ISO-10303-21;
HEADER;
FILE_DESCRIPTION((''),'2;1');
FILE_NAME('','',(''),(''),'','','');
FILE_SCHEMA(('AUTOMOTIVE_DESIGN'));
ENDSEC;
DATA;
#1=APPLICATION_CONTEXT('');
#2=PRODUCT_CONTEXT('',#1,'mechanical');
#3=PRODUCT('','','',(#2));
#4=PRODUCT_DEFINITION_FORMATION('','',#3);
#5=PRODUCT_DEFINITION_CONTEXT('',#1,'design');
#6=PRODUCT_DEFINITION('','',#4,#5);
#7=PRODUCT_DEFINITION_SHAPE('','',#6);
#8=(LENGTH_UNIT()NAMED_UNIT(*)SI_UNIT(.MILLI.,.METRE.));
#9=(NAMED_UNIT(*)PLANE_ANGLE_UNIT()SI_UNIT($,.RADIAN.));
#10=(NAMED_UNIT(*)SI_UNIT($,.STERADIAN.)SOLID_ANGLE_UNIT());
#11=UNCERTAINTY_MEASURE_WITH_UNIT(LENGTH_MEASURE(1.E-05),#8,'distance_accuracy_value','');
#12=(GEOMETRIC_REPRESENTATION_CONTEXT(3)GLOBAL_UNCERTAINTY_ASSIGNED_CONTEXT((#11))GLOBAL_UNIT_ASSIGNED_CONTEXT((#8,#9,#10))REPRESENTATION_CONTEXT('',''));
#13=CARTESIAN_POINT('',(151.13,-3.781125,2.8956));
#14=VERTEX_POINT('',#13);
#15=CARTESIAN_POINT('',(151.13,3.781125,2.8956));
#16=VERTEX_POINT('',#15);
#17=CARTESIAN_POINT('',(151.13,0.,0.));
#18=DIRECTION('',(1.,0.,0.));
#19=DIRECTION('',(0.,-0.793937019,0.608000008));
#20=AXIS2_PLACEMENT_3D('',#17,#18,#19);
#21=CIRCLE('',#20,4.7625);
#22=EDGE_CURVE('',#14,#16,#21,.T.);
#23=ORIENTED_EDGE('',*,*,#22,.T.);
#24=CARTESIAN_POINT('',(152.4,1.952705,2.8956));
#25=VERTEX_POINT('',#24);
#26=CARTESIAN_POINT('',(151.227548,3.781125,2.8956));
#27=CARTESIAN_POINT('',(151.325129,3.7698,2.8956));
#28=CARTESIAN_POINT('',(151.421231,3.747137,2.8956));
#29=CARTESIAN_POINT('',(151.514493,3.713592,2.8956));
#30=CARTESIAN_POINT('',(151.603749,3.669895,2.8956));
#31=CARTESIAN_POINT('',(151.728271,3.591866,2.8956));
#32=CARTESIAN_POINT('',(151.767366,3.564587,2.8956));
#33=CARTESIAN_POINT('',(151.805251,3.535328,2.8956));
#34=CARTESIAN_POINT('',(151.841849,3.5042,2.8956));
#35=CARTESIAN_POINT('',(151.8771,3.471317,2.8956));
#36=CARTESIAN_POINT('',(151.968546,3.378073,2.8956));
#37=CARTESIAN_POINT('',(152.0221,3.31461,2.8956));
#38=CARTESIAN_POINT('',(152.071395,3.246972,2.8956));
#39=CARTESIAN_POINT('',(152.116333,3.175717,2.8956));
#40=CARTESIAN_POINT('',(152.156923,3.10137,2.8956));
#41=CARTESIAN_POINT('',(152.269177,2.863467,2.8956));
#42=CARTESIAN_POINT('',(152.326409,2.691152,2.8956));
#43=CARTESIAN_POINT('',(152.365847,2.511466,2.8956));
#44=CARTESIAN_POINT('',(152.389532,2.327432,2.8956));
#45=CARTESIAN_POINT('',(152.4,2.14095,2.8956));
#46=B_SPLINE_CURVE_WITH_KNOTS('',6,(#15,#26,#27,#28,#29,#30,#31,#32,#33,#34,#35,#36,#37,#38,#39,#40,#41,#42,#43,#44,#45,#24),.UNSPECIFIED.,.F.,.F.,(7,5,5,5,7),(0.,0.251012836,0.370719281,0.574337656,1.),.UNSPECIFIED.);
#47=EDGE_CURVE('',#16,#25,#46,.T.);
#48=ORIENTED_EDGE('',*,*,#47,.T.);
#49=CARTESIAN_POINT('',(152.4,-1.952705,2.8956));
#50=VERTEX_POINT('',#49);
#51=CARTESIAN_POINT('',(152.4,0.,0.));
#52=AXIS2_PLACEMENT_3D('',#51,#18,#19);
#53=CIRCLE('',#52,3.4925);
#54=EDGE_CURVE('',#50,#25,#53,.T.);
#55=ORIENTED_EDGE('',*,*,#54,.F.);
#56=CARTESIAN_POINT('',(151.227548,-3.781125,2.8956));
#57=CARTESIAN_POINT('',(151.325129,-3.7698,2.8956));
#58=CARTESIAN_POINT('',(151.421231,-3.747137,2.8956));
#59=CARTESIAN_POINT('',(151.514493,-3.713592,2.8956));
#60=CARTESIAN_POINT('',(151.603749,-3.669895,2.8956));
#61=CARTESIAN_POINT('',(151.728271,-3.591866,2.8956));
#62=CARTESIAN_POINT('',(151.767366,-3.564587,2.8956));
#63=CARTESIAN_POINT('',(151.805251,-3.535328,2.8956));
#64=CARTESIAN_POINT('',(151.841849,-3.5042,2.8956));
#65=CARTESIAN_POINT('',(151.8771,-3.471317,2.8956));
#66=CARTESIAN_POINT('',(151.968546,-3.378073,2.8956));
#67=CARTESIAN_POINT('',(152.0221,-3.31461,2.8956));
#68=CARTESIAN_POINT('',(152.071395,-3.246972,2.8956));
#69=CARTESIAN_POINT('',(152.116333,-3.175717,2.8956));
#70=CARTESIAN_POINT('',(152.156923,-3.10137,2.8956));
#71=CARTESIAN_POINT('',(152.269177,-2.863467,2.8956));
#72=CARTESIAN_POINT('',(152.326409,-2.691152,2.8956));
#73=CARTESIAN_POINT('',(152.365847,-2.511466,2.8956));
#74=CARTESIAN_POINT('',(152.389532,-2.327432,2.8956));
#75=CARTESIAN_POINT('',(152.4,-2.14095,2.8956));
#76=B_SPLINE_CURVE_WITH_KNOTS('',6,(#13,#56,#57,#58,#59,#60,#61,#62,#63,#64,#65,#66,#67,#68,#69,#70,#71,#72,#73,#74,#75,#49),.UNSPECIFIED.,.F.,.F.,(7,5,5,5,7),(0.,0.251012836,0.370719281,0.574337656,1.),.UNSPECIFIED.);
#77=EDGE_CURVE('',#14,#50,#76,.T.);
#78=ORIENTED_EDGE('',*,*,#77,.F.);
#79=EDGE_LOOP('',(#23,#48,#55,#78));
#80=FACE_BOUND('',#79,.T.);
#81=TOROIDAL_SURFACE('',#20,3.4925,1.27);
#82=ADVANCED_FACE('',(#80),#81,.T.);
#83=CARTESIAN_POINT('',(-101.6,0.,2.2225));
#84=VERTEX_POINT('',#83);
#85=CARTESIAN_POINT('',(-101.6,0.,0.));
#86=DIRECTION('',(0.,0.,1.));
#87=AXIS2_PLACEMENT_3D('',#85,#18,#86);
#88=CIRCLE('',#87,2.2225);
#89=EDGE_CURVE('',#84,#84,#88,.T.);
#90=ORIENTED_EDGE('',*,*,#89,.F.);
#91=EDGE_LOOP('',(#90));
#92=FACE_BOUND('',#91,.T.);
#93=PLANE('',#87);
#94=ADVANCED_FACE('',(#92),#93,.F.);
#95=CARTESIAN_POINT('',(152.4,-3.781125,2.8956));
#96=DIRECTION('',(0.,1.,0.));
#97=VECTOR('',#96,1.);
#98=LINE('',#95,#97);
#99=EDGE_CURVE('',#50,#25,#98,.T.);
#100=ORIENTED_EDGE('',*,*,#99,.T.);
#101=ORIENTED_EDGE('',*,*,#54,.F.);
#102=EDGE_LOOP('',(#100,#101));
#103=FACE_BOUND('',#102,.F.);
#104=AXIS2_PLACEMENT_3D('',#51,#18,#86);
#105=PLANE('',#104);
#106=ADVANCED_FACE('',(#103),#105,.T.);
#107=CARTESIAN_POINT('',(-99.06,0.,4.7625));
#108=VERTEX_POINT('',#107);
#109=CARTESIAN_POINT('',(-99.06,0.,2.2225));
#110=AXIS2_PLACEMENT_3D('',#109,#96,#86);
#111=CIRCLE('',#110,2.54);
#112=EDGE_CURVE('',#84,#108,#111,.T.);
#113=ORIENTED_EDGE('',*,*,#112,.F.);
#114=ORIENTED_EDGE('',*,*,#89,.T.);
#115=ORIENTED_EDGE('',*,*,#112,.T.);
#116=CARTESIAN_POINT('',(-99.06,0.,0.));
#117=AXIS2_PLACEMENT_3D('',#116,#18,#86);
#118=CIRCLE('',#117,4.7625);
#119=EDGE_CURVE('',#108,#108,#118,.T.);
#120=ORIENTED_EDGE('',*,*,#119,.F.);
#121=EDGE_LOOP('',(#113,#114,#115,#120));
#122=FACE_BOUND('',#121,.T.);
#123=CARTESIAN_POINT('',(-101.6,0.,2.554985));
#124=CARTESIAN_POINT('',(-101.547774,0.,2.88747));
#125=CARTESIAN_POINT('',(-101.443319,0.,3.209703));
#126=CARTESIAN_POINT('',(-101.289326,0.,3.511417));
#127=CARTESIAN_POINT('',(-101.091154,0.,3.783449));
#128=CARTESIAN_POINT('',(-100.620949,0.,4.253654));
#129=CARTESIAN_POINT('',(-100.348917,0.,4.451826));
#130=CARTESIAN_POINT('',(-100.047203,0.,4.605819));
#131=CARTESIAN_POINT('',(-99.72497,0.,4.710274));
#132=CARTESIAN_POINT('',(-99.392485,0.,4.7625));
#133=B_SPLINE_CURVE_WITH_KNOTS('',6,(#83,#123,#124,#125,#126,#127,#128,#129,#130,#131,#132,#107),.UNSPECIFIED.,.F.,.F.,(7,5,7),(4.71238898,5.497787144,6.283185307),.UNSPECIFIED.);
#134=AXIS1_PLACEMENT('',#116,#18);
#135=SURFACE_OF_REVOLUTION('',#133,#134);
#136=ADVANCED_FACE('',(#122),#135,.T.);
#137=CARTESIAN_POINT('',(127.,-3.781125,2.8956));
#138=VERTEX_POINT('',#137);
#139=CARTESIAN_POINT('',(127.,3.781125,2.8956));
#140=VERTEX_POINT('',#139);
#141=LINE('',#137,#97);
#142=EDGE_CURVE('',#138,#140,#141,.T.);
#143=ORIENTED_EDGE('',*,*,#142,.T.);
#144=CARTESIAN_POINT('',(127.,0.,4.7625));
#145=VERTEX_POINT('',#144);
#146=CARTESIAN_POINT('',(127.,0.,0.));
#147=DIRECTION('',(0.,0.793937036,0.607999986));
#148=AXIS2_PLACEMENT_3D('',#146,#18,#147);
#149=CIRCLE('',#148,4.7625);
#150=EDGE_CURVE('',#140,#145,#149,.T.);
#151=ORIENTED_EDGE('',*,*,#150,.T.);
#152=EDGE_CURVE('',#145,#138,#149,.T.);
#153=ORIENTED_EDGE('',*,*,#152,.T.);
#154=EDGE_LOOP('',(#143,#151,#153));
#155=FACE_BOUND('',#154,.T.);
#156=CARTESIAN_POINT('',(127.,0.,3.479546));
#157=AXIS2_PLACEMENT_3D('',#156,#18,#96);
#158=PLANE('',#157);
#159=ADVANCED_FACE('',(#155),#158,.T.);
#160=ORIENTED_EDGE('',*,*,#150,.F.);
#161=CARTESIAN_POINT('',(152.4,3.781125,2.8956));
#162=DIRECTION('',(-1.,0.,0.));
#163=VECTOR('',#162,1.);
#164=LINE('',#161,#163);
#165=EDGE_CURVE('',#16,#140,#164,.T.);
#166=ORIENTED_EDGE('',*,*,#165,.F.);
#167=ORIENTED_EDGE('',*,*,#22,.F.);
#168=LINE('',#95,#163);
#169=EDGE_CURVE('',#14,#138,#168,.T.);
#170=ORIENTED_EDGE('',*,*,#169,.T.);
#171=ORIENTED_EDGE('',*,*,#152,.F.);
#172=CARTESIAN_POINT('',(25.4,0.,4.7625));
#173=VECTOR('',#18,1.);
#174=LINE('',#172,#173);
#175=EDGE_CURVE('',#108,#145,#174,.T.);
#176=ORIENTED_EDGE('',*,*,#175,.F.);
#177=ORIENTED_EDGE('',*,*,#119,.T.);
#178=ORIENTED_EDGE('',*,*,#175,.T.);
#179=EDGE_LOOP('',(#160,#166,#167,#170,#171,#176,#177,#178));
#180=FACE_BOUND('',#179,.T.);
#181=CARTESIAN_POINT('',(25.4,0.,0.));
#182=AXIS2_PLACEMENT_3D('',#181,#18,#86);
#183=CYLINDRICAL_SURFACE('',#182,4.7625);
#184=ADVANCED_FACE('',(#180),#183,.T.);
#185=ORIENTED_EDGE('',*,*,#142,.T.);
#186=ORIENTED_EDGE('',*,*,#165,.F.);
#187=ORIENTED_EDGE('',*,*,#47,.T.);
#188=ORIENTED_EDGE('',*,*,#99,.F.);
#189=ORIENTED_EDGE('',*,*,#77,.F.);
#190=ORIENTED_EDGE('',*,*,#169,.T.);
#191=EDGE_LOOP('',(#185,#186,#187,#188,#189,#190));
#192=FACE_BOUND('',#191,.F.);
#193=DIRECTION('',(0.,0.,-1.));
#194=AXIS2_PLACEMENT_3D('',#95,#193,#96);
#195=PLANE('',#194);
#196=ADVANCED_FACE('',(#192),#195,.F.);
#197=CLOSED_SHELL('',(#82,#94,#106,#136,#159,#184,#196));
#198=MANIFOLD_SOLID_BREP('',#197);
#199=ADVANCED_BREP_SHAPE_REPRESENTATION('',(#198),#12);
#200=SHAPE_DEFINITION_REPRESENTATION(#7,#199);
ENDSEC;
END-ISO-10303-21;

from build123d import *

# Parameters (mm, degrees)
F0_W     = 254
F0_H     = 4.7625
F3_DEPTH = 25.4
F4_R     = 2.54
F5_R     = 1.27


with BuildPart() as f1:
    # F0 (on Front) → F1 (revolve)
    with BuildSketch(Plane.XZ):
        with Locations((25.4, 2.38125)):
            Rectangle(F0_W, F0_H)
    revolve(axis=Axis((25.4, 0, 0), (1, 0, 0)))

    # F2 (on face) → F3 (cut)
    with BuildSketch(Plane.YZ.offset(152.4)):
        with BuildLine():
            ThreePointArc((3.781125, 2.8956), (0, 4.7625), (-3.781125, 2.8956))
            Line((-3.781125, 2.8956), (3.781125, 2.8956))
        make_face()
    extrude(amount=-F3_DEPTH, mode=Mode.SUBTRACT)

    # F4
    f4_edges = [f1.edges().sort_by_distance(p)[0] for p in [
        (-101.6, 0, -4.7625),
    ]]
    fillet(f4_edges, radius=F4_R)

    # F5
    f5_edges = [f1.edges().sort_by_distance(p)[0] for p in [
        (152.4, 0, -4.7625),
    ]]
    fillet(f5_edges, radius=F5_R)


solid = f1.part
